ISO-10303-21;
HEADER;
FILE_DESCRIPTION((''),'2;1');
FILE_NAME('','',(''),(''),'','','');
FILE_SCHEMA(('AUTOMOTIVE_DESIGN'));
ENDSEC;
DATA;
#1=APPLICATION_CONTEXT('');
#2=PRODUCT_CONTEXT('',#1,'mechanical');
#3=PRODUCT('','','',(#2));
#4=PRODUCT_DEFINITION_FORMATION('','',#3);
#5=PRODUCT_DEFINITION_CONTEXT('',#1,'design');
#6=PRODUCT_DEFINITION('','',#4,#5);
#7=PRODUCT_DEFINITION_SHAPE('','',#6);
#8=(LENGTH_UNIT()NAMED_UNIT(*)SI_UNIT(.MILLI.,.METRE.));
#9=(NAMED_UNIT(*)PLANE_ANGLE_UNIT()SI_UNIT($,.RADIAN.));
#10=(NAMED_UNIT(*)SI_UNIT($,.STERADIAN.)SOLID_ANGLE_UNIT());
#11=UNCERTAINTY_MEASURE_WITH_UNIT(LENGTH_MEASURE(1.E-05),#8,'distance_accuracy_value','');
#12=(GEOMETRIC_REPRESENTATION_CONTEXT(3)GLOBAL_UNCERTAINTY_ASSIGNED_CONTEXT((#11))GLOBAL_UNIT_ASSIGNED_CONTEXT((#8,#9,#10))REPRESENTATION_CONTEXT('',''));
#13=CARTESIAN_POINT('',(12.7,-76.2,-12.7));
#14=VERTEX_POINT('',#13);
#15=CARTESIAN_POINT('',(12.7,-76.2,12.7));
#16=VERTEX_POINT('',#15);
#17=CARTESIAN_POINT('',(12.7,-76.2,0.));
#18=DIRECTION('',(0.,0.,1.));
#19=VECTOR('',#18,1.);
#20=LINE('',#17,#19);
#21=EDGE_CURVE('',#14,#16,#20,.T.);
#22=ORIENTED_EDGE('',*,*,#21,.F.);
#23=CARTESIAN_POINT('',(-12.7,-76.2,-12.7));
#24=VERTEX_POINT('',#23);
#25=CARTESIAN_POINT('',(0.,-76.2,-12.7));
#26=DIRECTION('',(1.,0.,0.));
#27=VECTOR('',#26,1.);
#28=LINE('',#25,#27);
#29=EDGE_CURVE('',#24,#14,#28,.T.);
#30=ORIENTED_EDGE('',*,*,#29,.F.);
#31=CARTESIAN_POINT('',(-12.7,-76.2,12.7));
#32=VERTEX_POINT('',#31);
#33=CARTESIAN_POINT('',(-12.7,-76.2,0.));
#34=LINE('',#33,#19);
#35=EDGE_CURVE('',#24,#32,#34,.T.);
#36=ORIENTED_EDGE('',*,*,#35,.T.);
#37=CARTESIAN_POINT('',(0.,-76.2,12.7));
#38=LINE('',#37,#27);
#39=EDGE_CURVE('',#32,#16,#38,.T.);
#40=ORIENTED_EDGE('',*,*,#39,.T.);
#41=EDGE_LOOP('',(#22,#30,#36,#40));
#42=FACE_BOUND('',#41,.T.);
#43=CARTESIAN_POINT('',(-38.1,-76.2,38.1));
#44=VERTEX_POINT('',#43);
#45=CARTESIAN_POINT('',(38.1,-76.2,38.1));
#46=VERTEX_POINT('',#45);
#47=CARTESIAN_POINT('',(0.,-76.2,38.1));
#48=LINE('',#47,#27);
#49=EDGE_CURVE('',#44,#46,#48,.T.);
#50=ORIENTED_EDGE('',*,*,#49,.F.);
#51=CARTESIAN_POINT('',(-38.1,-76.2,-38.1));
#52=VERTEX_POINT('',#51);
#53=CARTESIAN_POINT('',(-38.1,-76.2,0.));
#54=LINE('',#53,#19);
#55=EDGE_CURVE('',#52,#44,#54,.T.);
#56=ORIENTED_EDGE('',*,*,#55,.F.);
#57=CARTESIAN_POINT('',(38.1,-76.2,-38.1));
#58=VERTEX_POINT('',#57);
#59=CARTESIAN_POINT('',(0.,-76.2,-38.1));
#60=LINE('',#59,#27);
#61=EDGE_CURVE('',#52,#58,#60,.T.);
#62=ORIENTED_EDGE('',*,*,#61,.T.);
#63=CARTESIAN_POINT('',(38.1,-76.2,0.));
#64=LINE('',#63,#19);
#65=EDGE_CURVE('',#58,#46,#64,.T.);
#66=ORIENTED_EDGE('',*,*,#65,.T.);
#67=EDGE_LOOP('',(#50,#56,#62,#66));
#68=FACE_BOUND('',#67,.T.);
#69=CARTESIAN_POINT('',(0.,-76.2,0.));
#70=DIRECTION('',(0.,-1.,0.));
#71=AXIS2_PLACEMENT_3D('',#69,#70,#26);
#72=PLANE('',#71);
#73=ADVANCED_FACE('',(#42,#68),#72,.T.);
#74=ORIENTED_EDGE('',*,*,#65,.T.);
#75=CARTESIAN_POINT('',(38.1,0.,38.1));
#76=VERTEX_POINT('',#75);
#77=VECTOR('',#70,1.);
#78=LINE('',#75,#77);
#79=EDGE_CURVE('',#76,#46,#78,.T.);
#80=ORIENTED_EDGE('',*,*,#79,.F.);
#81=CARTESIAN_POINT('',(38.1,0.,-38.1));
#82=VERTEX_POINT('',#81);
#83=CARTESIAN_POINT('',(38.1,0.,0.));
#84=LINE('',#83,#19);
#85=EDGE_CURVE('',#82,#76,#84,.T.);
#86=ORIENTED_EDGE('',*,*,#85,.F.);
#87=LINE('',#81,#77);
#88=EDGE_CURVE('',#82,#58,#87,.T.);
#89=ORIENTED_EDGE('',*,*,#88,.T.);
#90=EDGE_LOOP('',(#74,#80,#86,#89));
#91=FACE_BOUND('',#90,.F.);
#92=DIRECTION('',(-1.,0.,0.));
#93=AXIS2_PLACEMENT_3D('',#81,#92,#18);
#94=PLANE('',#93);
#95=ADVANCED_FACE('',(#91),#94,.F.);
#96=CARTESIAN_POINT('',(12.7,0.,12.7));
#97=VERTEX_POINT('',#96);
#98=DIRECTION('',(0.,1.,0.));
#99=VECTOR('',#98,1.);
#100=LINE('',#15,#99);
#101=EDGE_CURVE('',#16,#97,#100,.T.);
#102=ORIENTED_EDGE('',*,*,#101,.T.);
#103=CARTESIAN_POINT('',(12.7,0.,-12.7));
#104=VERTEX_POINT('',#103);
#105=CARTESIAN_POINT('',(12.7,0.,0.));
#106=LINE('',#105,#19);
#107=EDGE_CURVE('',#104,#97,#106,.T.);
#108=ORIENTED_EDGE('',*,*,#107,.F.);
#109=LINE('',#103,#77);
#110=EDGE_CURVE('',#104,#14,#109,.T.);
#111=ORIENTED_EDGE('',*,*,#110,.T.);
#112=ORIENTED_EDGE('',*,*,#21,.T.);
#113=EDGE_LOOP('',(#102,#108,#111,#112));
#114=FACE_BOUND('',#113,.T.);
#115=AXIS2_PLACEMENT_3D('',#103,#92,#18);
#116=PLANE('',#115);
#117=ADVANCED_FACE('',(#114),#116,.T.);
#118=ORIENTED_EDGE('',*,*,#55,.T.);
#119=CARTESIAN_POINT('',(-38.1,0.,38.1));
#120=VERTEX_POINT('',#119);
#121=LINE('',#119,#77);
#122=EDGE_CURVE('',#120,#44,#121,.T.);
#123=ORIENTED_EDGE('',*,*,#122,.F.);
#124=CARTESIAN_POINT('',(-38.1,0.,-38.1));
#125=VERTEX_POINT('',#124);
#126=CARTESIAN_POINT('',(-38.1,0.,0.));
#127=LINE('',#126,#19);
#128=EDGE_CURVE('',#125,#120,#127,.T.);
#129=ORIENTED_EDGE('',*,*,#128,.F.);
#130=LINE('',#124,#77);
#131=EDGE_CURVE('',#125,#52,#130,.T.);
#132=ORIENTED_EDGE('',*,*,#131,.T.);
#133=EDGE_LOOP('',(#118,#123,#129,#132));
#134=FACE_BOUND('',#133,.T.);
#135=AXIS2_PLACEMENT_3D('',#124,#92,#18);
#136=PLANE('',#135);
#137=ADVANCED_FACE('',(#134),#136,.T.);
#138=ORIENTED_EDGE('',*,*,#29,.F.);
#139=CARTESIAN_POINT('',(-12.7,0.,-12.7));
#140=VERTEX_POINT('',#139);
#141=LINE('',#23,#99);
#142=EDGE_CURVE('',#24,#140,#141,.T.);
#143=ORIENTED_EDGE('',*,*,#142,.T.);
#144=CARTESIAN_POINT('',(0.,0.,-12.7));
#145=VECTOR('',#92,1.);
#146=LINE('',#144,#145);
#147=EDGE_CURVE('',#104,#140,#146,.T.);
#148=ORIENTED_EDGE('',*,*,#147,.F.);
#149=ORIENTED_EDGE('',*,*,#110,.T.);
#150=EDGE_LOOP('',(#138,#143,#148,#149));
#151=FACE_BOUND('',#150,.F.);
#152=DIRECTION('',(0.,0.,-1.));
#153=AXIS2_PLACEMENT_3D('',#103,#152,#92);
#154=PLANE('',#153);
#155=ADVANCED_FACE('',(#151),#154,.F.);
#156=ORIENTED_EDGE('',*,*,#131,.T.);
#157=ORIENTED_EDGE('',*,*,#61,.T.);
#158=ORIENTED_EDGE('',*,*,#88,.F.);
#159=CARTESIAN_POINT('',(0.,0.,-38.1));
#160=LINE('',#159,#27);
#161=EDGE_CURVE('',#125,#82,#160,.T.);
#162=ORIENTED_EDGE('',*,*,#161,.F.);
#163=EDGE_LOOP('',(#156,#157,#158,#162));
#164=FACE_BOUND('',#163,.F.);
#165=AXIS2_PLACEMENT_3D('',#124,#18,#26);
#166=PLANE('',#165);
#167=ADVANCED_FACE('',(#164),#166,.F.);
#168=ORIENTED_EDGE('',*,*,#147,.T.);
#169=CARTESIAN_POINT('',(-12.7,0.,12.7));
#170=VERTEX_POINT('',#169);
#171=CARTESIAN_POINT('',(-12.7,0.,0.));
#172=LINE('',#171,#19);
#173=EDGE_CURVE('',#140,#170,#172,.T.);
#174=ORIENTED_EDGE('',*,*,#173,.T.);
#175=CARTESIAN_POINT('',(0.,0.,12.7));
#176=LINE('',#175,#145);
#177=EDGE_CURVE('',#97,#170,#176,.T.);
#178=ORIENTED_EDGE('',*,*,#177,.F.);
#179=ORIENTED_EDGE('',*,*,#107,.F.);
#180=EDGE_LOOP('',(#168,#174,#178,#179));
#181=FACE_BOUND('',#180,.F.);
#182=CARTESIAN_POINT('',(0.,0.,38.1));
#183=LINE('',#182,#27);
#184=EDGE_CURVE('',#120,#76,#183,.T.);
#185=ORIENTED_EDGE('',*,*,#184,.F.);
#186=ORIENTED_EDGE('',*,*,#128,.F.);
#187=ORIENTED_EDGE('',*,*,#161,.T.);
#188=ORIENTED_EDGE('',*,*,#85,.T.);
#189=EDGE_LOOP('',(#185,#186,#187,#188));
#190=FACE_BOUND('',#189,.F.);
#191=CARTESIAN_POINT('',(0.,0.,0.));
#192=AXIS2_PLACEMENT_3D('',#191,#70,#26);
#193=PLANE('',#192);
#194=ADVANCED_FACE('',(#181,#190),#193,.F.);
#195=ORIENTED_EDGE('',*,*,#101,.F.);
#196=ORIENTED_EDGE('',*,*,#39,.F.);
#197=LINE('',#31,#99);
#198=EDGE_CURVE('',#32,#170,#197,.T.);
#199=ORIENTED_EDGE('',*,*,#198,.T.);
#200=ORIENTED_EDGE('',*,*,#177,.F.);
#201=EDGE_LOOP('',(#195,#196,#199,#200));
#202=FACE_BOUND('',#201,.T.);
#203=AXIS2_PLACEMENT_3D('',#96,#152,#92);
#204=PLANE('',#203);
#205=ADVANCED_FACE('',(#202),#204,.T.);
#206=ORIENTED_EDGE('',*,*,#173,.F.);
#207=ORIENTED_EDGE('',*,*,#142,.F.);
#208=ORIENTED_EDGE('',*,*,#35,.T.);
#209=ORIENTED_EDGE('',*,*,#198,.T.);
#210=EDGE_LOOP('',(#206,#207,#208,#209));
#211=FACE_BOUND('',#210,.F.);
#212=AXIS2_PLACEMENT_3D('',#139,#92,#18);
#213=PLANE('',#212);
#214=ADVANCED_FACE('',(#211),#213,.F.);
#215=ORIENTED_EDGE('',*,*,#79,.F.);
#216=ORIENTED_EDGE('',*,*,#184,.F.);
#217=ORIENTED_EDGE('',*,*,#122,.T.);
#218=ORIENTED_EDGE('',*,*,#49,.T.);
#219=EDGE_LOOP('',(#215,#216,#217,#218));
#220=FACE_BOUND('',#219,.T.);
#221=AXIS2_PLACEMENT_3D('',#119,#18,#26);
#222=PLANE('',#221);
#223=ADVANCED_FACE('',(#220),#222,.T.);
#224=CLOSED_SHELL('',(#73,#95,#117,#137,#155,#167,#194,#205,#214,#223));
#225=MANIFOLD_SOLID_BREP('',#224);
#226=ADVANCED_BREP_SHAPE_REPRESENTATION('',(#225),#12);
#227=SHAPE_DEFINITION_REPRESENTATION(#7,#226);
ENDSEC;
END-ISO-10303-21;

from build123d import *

# Parameters (mm, degrees)
F0_W     = 76.2
F0_H     = 76.2
F1_DEPTH = 76.2
F2_W     = 25.4
F2_H     = 25.4
F3_DEPTH = 25.4
F4_W     = 25.4
F4_H     = 25.4
F5_DEPTH = 50.8


with BuildPart() as f1:
    # F0 (on Front) → F1 (new body)
    with BuildSketch(Plane.XZ):
        Rectangle(F0_W, F0_H)
    extrude(amount=F1_DEPTH)

    # F2 (on face) → F3 (cut)
    with BuildSketch(Plane(origin=(0, 0, 0), x_dir=(-1, 0, 0), z_dir=(0, 1, 0))):
        Rectangle(F2_W, F2_H)
    extrude(amount=-F3_DEPTH, mode=Mode.SUBTRACT)

    # F4 (on face) → F5 (cut)
    with BuildSketch(Plane.XZ.offset(76.2)):
        Rectangle(F4_W, F4_H)
    extrude(amount=-F5_DEPTH, mode=Mode.SUBTRACT)


solid = f1.part
